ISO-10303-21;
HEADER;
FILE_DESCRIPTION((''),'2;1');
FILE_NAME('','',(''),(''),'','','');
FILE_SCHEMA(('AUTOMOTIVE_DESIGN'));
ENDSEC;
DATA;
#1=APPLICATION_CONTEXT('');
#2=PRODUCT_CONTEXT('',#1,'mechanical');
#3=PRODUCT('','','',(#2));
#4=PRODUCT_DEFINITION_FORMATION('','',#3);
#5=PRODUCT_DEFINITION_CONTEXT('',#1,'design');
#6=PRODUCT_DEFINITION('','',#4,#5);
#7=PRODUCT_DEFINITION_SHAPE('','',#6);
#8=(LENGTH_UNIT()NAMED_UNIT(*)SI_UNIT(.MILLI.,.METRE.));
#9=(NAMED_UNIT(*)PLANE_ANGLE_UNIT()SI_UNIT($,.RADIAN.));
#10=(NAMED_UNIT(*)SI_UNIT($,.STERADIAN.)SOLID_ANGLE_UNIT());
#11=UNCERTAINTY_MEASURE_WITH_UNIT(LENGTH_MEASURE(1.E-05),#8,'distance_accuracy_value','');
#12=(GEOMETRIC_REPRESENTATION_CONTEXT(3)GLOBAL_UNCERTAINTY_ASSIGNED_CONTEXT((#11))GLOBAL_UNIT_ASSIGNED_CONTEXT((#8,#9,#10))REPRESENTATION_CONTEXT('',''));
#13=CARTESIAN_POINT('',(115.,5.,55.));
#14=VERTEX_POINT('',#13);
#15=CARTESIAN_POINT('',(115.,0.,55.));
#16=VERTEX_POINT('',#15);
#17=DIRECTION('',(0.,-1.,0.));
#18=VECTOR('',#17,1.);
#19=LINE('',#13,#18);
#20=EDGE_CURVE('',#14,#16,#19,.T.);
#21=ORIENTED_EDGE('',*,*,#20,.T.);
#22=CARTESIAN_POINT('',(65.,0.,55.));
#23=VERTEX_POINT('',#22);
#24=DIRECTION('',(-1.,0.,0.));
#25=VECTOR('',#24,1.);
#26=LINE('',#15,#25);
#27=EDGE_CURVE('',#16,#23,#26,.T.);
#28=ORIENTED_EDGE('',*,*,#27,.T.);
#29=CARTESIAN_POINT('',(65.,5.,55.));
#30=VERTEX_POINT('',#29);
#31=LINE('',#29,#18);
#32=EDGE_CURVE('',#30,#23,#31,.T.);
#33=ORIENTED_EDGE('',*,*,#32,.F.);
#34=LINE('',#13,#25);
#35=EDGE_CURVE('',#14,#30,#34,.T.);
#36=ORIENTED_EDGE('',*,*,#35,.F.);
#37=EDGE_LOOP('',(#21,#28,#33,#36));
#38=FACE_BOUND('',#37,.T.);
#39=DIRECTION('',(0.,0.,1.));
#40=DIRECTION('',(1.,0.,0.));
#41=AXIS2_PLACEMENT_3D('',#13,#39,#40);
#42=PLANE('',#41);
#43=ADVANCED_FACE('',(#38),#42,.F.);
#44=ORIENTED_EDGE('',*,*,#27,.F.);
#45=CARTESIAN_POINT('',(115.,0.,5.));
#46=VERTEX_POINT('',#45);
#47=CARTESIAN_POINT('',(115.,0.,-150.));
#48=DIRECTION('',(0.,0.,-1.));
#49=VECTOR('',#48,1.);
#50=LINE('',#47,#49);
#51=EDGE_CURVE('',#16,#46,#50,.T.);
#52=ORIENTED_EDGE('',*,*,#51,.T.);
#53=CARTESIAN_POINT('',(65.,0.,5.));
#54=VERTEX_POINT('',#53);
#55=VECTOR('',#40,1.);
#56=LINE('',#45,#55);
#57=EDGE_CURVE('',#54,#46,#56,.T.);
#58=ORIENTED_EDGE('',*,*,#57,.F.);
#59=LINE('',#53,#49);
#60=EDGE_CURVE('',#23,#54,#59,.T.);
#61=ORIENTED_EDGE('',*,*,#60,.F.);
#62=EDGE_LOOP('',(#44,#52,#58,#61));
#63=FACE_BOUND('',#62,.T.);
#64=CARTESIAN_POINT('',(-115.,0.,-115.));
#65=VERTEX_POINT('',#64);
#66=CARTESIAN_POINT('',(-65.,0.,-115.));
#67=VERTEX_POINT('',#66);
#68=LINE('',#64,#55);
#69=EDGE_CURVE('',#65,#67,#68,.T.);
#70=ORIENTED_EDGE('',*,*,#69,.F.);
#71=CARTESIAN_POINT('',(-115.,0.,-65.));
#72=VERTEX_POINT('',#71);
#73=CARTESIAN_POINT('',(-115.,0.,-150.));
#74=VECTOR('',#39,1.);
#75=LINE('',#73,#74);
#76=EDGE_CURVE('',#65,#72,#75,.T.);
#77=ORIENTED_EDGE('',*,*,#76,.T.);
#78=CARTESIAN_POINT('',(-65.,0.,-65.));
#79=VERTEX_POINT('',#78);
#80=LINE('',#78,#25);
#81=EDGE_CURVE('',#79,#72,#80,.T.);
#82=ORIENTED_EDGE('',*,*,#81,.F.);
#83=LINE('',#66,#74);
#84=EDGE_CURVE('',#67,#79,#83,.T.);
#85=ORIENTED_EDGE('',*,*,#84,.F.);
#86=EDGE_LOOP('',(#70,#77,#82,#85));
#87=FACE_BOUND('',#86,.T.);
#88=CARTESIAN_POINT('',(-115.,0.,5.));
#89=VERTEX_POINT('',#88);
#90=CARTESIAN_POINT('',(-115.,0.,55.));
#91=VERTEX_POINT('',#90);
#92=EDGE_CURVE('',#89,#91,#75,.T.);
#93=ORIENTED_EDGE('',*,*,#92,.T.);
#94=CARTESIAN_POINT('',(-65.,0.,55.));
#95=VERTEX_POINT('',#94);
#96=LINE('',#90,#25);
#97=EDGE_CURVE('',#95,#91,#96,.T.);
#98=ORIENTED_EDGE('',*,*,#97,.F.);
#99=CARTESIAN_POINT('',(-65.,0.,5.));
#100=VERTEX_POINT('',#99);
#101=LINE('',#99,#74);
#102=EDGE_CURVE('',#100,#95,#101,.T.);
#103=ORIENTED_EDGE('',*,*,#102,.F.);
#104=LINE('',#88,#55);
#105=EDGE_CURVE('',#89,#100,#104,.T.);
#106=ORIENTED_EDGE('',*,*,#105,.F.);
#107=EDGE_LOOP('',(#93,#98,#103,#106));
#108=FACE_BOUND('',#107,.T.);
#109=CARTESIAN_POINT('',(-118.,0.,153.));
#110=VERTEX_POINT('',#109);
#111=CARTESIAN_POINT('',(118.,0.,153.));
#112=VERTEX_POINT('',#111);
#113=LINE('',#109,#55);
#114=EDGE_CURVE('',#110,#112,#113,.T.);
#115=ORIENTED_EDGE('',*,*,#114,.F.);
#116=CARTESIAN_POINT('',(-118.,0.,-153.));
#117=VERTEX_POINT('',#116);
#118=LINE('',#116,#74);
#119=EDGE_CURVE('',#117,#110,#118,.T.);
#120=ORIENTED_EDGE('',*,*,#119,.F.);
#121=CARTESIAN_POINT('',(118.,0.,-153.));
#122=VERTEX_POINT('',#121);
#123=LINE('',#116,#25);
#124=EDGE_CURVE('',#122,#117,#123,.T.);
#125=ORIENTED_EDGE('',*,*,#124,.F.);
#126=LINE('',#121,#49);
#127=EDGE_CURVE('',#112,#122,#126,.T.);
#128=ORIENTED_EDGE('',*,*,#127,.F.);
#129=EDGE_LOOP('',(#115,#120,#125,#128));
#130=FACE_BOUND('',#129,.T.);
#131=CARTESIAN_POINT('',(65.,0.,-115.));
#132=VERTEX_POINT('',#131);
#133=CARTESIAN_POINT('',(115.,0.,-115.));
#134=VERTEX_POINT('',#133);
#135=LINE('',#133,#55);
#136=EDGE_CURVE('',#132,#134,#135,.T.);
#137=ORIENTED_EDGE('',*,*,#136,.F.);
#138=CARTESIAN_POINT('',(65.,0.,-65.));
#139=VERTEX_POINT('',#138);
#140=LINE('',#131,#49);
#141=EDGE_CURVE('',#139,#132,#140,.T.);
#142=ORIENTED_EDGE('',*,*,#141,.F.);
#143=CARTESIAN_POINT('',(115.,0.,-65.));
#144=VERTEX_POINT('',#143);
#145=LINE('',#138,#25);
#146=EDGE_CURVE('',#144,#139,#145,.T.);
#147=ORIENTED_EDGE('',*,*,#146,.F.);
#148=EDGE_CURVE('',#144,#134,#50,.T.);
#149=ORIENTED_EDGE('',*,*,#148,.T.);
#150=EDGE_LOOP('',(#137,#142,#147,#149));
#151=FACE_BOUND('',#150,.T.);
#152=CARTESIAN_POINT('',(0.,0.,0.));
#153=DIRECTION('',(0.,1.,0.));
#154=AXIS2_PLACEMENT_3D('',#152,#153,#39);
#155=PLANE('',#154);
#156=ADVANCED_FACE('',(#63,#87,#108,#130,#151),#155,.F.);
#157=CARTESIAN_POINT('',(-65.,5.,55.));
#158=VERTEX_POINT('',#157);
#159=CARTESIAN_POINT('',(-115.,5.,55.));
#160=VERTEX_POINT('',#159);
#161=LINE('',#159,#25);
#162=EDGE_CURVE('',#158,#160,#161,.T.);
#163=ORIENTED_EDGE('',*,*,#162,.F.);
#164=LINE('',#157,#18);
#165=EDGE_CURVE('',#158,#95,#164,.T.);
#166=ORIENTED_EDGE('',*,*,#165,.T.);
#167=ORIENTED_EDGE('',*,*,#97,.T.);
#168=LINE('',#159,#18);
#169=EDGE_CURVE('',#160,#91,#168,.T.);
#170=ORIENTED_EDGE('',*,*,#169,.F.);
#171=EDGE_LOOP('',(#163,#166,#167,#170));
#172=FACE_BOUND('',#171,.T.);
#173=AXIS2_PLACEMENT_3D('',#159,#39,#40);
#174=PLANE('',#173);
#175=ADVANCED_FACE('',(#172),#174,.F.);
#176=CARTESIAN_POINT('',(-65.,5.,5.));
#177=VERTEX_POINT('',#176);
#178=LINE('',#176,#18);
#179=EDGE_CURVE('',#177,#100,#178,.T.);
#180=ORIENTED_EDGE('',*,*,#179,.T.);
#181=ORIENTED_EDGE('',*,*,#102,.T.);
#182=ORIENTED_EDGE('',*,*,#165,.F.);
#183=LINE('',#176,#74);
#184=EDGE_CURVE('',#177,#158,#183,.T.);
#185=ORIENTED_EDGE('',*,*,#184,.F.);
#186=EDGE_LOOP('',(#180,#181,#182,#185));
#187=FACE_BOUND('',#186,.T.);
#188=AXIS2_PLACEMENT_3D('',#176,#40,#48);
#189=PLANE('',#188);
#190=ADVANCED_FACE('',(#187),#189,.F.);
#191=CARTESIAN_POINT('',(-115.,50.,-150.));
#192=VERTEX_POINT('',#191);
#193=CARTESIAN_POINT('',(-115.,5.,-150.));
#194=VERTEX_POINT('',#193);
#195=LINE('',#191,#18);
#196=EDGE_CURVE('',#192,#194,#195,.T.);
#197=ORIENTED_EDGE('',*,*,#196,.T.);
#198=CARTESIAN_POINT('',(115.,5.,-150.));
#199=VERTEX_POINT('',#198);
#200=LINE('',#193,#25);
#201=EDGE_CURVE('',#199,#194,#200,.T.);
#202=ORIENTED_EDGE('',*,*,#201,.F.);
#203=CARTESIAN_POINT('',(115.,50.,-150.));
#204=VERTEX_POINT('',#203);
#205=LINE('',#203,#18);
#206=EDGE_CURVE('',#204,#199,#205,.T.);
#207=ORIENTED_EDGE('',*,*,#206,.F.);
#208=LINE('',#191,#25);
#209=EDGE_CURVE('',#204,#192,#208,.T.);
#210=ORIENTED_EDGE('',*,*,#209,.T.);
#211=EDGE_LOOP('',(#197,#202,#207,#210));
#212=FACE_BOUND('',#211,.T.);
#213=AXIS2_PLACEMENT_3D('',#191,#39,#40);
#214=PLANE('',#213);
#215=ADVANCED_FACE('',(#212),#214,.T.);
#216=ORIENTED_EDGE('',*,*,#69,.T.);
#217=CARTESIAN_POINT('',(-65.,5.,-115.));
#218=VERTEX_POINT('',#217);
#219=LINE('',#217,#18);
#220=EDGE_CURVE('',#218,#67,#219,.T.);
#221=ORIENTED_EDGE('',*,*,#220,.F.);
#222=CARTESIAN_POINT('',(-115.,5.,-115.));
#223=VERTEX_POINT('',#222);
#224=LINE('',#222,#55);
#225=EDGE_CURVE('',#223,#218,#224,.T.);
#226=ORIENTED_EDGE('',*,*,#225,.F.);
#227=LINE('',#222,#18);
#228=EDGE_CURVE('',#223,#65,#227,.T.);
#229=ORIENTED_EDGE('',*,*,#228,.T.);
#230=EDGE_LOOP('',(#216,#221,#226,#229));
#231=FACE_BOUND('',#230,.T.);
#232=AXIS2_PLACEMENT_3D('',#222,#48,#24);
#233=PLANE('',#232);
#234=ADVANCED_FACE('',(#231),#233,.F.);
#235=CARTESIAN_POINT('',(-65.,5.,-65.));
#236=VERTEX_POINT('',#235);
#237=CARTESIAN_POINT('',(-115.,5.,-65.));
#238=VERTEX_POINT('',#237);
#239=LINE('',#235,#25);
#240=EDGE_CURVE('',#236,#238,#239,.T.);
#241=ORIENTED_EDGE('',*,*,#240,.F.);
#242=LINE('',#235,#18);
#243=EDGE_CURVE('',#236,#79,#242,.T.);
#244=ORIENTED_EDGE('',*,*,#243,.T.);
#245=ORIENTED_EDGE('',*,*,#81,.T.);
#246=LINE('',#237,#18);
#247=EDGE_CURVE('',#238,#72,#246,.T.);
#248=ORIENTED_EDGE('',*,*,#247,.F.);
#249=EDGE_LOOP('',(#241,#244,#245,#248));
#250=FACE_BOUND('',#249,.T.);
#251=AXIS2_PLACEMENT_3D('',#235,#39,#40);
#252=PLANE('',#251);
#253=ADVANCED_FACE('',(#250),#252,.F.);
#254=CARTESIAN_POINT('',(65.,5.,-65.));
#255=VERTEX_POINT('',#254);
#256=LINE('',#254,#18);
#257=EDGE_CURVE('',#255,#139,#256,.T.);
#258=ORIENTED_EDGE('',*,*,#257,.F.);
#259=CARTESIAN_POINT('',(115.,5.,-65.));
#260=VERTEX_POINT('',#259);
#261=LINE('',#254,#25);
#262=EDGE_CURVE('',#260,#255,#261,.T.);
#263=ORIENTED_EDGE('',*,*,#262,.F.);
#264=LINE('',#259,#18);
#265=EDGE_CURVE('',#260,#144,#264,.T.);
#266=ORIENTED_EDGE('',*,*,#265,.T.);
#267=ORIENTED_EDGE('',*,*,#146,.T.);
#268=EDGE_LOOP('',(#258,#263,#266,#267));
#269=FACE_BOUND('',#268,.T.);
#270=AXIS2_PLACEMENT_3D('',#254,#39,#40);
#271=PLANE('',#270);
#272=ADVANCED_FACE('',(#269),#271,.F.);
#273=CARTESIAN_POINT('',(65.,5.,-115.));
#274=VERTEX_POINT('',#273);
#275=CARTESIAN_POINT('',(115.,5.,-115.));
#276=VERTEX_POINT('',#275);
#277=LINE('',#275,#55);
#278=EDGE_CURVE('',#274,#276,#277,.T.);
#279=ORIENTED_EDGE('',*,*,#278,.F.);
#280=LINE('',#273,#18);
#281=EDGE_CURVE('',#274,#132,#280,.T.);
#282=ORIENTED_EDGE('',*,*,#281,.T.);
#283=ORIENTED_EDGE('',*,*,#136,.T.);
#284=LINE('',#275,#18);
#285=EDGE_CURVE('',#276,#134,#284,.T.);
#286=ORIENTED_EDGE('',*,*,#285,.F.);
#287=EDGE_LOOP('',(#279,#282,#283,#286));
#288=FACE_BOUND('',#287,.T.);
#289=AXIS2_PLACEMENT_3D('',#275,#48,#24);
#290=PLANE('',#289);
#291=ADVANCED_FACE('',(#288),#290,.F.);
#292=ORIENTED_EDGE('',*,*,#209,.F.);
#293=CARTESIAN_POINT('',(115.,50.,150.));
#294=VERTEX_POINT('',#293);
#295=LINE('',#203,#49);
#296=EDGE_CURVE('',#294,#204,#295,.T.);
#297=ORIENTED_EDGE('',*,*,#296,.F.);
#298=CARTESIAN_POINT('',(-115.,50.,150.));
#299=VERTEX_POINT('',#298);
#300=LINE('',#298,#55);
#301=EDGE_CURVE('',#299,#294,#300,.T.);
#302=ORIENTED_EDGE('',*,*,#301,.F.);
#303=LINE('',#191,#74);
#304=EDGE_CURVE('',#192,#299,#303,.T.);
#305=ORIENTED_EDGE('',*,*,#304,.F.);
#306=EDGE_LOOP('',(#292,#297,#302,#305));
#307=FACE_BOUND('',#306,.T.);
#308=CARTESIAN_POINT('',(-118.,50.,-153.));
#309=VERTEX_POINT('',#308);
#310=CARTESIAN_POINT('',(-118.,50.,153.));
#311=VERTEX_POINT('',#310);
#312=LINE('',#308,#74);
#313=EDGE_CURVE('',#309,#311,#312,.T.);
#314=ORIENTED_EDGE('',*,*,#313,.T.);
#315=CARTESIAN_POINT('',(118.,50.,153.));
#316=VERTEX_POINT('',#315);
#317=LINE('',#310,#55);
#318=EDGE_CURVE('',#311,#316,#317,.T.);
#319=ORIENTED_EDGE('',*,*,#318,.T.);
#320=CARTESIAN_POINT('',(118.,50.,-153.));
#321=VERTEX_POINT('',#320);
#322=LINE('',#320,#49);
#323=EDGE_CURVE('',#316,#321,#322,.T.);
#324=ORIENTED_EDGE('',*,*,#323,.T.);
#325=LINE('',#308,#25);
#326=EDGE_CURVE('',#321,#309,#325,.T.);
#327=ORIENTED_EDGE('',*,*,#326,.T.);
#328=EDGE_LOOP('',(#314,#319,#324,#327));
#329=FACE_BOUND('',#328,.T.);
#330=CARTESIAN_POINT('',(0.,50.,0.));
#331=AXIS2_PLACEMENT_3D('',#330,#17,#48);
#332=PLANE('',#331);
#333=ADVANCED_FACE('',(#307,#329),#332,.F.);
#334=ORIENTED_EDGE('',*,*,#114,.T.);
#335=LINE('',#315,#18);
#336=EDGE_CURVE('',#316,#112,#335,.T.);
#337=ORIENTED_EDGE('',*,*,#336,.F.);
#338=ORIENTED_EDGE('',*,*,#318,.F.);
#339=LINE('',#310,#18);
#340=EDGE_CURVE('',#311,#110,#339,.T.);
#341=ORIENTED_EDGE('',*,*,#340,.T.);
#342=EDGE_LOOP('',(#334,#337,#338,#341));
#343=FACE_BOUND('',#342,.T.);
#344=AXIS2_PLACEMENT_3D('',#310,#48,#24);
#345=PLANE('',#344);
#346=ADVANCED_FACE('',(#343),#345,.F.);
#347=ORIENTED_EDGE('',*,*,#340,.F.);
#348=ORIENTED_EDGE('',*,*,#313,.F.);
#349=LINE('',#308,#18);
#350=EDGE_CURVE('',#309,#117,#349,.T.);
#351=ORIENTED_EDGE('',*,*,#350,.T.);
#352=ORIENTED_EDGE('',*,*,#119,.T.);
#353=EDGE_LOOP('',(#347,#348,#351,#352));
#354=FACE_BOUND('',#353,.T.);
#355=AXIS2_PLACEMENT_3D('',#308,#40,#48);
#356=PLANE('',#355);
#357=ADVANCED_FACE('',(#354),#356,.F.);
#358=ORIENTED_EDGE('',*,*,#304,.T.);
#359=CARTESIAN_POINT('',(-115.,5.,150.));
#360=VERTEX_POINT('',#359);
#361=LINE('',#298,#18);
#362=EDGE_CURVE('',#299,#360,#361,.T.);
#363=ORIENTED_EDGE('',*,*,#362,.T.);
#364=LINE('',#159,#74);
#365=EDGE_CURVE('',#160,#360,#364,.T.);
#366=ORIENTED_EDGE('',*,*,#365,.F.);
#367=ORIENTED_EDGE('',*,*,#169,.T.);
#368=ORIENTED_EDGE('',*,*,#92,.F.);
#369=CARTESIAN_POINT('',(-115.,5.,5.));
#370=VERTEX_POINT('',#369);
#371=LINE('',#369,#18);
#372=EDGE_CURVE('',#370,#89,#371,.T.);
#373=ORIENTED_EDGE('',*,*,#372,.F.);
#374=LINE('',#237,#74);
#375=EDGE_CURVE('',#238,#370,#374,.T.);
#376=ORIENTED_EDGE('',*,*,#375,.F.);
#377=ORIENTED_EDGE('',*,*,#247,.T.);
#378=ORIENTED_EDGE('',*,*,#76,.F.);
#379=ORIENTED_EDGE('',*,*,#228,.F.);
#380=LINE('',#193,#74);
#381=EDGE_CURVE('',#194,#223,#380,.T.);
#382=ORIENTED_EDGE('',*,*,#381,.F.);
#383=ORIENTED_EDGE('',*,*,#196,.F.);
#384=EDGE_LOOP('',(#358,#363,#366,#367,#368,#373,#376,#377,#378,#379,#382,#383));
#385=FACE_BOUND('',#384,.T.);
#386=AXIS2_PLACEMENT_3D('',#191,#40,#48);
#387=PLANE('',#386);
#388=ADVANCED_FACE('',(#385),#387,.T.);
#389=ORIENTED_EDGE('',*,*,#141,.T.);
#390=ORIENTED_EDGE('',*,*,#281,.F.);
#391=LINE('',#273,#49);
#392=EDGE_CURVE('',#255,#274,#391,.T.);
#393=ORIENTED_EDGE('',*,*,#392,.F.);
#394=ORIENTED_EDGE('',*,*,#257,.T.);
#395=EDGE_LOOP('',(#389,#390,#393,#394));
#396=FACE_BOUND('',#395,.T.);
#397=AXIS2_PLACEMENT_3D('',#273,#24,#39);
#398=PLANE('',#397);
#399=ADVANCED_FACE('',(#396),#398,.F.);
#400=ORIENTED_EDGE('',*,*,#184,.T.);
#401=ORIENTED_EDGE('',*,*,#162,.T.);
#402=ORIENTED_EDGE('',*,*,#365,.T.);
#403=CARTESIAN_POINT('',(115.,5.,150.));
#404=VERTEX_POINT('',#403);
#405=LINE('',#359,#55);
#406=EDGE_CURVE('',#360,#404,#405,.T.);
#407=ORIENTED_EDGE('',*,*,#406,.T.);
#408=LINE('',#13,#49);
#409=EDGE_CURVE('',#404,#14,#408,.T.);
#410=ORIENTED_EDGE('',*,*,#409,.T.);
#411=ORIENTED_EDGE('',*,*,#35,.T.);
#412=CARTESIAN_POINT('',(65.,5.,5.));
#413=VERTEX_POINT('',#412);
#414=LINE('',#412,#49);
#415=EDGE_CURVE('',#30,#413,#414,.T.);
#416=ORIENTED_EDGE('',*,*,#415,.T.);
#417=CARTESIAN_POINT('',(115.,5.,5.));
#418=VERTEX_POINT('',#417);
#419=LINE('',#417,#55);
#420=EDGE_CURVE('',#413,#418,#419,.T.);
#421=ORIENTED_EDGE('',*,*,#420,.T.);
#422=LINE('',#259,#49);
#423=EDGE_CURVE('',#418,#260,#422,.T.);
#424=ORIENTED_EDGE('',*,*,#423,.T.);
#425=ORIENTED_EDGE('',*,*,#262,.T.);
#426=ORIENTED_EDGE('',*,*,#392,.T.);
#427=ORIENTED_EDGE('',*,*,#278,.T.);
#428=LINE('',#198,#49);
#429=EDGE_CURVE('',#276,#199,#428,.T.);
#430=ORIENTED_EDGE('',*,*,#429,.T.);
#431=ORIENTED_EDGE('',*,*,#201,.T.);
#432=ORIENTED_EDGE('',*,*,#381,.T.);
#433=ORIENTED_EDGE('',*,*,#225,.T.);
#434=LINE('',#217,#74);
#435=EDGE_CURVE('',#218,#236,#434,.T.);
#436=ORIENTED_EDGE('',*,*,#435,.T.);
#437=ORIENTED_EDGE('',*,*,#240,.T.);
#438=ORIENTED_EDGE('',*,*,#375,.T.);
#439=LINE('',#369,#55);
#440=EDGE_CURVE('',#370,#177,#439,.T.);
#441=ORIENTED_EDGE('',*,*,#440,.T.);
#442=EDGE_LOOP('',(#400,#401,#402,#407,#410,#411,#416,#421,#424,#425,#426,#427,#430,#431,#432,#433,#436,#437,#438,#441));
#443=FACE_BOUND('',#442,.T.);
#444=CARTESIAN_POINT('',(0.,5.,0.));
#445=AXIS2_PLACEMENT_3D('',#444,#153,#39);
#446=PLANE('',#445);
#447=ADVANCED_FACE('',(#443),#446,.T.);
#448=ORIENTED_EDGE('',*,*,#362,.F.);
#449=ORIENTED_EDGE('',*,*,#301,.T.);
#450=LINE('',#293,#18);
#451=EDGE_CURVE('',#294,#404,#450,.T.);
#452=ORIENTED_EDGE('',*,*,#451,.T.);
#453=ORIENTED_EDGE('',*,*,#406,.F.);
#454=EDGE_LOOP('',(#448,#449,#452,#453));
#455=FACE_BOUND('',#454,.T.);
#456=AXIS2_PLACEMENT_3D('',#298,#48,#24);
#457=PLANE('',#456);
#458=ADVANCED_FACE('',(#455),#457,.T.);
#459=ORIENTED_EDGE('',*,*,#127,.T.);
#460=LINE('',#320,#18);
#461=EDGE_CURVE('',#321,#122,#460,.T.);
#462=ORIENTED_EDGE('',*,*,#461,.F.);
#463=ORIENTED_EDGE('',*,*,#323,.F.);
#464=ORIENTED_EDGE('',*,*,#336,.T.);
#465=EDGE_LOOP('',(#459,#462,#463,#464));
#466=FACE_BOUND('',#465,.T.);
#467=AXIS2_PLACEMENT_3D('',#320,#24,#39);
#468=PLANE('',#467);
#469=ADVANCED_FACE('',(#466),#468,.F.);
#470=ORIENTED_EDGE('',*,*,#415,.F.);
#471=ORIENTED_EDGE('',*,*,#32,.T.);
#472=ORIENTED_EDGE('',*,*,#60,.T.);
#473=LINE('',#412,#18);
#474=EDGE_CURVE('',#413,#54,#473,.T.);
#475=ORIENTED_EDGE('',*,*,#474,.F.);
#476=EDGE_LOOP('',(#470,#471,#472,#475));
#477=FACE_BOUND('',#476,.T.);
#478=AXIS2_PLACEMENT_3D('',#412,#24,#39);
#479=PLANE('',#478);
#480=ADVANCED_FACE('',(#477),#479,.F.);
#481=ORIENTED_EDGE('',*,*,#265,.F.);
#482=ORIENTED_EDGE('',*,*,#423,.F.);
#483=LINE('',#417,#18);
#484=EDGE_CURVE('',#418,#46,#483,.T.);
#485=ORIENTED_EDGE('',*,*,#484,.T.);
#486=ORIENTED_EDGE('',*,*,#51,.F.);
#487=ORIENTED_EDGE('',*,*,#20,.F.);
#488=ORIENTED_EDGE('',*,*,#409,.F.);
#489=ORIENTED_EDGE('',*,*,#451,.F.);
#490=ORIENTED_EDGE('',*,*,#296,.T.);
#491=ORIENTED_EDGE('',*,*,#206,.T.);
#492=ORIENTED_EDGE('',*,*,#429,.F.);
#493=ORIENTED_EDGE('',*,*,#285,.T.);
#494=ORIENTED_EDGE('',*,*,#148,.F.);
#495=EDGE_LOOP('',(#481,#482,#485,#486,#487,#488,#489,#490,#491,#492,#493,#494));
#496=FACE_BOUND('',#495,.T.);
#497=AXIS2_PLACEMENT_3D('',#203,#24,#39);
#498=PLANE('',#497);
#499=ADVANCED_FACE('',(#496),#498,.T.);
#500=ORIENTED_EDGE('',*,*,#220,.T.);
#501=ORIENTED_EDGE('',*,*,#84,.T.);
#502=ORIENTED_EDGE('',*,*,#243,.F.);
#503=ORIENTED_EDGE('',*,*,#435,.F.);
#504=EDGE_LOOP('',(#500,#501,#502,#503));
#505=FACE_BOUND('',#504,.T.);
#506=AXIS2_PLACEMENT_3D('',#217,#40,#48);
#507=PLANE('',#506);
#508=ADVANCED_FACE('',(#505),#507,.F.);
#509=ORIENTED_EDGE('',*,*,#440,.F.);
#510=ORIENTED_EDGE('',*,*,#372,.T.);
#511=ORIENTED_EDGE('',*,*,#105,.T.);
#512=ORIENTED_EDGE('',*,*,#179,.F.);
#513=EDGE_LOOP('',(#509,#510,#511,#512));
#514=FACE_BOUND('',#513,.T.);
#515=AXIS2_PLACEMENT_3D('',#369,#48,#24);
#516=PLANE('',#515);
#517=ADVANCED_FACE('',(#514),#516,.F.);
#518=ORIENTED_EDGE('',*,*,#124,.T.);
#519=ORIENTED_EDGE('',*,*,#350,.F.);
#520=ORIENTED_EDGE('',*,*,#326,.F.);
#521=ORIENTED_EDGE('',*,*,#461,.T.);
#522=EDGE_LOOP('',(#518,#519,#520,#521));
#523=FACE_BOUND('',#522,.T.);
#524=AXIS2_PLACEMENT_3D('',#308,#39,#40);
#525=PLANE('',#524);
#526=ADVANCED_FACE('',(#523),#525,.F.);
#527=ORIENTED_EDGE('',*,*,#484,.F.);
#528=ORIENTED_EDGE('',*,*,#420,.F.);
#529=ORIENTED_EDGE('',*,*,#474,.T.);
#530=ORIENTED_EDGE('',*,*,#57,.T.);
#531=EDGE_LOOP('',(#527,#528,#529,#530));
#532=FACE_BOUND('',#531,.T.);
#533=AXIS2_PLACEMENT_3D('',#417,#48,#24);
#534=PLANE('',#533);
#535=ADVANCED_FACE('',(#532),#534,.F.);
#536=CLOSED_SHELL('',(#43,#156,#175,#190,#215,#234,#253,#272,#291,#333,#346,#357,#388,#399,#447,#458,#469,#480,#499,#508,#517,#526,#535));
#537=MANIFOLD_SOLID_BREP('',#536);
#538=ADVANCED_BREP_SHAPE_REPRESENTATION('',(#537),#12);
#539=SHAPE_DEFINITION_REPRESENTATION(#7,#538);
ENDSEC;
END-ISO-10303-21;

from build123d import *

# Parameters (mm, degrees)
BOSS_EXTRUDE1_DEPTH = 5
SKETCH2_W           = 236
SKETCH2_H           = 306
SKETCH2_W_2         = 230
SKETCH2_H_2         = 300
BOSS_EXTRUDE2_DEPTH = 50


with BuildPart() as part:
    # Sketch1 → Boss-Extrude1 (new body)
    with BuildSketch(Plane(origin=(0, 0, 0), x_dir=(1, 0, 0), z_dir=(0, 1, 0))):
        Polygon((-115, 150), (115, 150), (115, 115), (65, 115), (65, 65), (115, 65), (115, -5), (65, -5), (65, -55), (115, -55), (115, -150), (-115, -150), (-115, -55), (-65, -55), (-65, -5), (-115, -5), (-115, 65), (-65, 65), (-65, 115), (-115, 115), align=None)
    extrude(amount=BOSS_EXTRUDE1_DEPTH)

    # Sketch2 → Boss-Extrude2 (add)
    with BuildSketch(Plane(origin=(0, 0, 0), x_dir=(1, 0, 0), z_dir=(0, 1, 0))):
        Rectangle(SKETCH2_W, SKETCH2_H)
        Rectangle(SKETCH2_W_2, SKETCH2_H_2, mode=Mode.SUBTRACT)
    extrude(amount=BOSS_EXTRUDE2_DEPTH)


solid = part.part
